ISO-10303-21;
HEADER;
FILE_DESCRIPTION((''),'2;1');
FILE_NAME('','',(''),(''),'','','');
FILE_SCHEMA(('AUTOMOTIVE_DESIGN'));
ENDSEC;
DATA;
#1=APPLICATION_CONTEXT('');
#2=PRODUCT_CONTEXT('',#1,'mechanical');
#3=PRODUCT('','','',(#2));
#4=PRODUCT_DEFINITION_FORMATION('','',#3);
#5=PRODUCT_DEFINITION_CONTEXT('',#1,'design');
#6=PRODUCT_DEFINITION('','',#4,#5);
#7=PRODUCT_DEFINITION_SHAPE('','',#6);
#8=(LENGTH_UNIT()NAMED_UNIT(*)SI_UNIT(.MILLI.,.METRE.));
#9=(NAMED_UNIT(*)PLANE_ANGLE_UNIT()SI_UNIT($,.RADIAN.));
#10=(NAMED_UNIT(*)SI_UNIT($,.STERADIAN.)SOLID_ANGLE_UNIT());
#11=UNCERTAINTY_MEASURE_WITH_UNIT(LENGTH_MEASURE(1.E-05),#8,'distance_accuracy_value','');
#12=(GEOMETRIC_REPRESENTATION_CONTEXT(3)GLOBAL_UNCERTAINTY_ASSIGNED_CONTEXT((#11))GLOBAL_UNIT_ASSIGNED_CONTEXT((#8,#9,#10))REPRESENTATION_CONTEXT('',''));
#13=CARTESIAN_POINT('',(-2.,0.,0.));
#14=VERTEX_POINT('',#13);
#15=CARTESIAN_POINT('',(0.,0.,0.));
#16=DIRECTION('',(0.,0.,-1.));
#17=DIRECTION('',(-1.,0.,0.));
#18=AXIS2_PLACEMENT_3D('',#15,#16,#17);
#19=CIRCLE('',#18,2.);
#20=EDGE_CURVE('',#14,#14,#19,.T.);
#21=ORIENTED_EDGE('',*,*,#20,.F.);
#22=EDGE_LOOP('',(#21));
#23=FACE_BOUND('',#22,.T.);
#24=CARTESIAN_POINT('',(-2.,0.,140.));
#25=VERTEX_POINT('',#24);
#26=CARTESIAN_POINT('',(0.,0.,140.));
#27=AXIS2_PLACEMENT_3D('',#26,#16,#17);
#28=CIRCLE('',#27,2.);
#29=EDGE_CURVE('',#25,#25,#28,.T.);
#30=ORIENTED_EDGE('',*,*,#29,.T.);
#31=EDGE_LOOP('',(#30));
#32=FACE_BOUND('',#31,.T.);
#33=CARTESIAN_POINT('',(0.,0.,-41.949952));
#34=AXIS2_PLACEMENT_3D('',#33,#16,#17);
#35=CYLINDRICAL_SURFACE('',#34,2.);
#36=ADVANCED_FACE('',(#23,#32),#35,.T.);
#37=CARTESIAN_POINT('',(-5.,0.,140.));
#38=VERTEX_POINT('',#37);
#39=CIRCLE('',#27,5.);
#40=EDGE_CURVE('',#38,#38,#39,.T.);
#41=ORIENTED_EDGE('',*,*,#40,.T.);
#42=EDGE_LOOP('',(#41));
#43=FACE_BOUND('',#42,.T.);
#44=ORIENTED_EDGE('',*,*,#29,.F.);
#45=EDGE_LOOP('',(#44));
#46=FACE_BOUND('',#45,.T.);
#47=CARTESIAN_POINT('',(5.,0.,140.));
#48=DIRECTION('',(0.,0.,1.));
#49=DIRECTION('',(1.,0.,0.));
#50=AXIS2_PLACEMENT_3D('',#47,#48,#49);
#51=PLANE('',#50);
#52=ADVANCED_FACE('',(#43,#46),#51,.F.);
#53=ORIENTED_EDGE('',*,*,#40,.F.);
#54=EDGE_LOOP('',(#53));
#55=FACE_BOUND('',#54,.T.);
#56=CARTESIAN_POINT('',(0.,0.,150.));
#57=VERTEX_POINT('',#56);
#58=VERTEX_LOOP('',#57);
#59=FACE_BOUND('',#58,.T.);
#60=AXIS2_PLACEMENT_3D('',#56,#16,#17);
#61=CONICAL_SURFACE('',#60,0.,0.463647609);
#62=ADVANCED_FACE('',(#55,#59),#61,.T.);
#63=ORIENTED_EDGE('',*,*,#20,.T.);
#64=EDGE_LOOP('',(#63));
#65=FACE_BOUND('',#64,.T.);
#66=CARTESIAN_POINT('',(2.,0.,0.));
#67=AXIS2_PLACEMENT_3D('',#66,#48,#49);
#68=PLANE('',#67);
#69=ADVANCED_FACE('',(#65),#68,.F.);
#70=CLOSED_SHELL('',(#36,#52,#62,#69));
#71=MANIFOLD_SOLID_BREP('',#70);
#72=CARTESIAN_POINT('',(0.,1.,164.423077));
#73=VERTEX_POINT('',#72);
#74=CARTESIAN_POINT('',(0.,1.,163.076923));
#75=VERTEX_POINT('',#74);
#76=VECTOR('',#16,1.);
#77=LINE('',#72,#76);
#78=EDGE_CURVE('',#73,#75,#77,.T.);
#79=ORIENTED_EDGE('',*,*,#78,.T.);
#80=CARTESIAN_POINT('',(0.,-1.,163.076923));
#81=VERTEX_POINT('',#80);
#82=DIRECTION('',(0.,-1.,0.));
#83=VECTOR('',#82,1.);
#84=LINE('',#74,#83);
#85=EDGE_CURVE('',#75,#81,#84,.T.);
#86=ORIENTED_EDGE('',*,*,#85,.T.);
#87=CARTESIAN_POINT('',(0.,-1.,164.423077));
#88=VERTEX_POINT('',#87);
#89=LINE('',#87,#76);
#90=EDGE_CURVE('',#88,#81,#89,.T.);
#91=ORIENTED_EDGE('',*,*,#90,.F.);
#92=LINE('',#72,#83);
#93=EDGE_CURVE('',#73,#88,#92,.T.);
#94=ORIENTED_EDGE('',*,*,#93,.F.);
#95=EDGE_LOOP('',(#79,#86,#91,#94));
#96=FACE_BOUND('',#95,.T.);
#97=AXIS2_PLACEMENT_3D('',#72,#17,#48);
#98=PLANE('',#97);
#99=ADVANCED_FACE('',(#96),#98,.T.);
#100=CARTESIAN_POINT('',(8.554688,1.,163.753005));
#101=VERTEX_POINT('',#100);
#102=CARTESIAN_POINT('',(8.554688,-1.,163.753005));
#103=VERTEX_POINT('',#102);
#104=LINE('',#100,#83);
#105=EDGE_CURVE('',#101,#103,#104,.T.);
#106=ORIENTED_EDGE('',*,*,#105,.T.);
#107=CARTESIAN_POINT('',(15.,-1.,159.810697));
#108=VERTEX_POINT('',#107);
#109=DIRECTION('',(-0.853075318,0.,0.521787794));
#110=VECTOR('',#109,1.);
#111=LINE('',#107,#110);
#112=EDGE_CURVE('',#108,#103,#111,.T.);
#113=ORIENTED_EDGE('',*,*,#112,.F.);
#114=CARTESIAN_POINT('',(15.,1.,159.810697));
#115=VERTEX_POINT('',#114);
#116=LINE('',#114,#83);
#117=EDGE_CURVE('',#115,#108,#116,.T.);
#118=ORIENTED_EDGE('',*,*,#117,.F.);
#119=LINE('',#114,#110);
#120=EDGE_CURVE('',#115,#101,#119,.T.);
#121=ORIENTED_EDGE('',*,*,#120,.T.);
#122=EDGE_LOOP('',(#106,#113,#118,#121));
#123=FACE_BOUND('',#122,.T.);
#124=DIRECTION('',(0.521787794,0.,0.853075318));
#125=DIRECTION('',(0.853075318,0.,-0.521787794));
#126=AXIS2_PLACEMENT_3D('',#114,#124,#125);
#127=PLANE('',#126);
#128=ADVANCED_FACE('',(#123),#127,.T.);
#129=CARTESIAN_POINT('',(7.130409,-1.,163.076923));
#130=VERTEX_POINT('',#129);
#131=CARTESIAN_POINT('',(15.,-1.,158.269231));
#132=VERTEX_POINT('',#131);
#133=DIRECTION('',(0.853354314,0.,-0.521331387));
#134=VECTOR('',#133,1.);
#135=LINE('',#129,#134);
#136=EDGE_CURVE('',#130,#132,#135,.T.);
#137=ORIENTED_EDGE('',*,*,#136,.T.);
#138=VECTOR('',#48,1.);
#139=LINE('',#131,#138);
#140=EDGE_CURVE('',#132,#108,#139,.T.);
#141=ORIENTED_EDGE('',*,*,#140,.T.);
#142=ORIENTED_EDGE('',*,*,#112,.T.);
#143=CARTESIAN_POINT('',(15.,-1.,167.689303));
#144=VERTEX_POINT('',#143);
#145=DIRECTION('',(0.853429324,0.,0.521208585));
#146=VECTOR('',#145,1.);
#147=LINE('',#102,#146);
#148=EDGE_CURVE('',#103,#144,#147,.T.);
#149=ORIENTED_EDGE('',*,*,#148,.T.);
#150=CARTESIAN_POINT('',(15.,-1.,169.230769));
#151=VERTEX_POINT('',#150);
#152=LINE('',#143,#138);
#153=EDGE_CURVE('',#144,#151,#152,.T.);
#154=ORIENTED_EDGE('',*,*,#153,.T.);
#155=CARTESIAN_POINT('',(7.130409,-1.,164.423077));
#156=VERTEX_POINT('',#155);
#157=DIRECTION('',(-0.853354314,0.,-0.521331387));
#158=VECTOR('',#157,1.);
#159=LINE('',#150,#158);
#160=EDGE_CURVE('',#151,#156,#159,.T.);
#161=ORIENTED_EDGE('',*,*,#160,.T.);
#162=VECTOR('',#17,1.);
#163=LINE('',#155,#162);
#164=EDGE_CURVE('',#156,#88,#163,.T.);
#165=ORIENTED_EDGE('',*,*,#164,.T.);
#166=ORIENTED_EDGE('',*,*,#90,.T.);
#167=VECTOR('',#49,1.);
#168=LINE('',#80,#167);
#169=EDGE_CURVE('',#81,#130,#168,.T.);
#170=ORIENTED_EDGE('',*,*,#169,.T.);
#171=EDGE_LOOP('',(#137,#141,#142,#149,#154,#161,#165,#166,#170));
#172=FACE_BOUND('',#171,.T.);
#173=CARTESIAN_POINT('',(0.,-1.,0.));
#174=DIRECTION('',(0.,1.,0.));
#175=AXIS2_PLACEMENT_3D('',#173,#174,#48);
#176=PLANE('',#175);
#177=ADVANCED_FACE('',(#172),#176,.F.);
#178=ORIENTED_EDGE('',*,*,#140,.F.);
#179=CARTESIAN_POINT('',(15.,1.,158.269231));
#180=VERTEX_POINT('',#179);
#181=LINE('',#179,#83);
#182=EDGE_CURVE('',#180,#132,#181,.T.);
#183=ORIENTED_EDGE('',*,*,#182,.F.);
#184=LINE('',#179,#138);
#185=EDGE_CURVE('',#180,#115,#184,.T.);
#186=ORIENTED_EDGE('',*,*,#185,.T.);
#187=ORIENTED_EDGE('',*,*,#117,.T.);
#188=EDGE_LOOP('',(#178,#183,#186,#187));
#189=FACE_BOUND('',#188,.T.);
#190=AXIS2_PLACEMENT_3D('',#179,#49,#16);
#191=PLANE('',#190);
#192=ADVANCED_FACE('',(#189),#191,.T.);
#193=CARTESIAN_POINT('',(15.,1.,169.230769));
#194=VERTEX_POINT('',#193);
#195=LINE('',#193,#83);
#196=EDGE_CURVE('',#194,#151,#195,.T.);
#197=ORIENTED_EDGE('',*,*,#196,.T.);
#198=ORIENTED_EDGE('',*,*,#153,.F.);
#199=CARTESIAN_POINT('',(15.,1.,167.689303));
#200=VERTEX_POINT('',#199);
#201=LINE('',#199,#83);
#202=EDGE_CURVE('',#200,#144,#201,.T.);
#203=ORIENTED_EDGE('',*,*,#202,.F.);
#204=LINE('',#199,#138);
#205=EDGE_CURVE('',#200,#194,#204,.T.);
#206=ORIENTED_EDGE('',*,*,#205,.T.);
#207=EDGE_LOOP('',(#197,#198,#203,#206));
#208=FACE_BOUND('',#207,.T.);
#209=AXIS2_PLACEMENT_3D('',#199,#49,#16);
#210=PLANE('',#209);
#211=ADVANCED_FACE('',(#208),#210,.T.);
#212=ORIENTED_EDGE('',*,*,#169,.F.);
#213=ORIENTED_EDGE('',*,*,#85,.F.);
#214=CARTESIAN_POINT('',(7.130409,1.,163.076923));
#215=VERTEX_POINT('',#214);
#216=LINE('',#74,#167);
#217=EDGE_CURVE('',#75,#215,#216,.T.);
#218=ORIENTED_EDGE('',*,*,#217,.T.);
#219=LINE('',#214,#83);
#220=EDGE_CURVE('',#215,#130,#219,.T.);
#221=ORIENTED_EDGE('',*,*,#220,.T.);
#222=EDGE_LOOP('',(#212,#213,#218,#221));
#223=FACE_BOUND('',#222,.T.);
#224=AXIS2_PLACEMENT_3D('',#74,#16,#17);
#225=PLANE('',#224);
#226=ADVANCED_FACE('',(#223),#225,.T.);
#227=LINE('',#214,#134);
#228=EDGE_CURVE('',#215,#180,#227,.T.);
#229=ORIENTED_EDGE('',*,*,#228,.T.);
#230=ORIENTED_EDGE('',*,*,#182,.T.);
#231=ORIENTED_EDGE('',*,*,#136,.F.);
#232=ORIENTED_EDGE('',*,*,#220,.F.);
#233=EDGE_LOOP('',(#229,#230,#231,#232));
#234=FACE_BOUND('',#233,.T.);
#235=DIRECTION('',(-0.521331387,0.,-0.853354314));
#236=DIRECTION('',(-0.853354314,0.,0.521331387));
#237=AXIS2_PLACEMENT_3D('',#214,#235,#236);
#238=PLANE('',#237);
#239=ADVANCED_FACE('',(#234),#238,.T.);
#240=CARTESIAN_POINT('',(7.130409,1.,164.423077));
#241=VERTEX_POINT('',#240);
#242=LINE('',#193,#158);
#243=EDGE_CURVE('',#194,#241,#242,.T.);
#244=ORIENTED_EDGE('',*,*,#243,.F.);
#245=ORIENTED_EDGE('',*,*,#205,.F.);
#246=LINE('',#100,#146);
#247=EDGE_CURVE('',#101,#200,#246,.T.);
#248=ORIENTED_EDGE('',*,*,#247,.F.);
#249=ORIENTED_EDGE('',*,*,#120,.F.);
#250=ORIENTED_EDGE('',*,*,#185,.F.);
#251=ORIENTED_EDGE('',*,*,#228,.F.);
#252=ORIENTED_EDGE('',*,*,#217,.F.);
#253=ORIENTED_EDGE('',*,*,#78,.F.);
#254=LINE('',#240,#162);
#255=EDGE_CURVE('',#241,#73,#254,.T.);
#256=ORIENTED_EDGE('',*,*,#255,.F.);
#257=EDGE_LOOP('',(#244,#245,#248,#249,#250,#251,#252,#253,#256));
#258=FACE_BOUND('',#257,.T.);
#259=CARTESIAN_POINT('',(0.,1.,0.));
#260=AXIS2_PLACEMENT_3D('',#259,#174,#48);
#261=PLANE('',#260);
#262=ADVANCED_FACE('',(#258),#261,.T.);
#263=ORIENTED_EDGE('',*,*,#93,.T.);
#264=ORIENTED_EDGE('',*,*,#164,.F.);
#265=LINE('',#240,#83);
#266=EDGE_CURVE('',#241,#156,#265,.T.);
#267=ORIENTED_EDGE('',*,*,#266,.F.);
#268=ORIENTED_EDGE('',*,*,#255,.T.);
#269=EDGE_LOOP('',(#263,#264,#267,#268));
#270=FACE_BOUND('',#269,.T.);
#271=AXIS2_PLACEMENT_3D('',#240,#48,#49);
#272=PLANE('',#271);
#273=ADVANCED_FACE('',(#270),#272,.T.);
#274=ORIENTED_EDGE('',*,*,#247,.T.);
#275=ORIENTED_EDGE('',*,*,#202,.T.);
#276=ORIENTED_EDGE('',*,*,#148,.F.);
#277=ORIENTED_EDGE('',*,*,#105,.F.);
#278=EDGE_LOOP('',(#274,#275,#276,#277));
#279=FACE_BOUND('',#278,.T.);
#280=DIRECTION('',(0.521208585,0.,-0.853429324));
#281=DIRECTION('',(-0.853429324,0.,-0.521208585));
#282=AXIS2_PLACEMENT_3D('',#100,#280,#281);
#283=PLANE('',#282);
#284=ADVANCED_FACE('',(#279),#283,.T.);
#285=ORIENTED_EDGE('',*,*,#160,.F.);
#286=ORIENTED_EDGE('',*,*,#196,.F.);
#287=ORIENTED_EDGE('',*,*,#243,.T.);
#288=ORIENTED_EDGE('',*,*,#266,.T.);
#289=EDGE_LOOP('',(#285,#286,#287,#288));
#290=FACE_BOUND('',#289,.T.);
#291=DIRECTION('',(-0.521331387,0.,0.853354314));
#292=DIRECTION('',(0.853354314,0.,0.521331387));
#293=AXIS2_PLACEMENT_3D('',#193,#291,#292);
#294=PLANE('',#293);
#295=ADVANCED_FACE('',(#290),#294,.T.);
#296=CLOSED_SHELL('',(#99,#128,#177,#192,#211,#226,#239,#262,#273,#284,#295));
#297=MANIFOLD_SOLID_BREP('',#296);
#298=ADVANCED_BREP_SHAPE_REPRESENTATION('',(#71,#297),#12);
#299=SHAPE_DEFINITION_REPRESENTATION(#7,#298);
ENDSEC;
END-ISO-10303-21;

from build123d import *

# Parameters (mm, degrees)
BOSS_EXTRUDE1_DEPTH      = 1
BOSS_EXTRUDE1_DEPTH_BACK = 1


with BuildPart() as part:
    # Sketch2 → Revolve1 (revolve)
    with BuildSketch(Plane(origin=(0, 0, 0), x_dir=(1, 0, 0), z_dir=(0, 1, 0))):
        Polygon((0, -150), (5, -140), (2, -140), (2, 0), (0, 0), align=None)
    revolve(axis=Axis((0, 0, -41.949952025), (0, 0, 1)))


with BuildPart() as body_2:
    # Sketch3 → Boss-Extrude1 (new, two sides: drawn at the far end of the back side and taken through both)
    with BuildSketch(Plane(origin=(0, 0, 0), x_dir=(1, 0, 0), z_dir=(0, 1, 0)).offset(-BOSS_EXTRUDE1_DEPTH_BACK)):
        Polygon((15, -158.269230769), (15, -159.810697115), (8.5546875, -163.753004808), (15, -167.689302885), (15, -169.230769231), (7.130408654, -164.423076923), (0, -164.423076923), (0, -163.076923077), (7.130408654, -163.076923077), align=None)
    extrude(amount=BOSS_EXTRUDE1_DEPTH + BOSS_EXTRUDE1_DEPTH_BACK)


solid = Compound([part.part, body_2.part])
